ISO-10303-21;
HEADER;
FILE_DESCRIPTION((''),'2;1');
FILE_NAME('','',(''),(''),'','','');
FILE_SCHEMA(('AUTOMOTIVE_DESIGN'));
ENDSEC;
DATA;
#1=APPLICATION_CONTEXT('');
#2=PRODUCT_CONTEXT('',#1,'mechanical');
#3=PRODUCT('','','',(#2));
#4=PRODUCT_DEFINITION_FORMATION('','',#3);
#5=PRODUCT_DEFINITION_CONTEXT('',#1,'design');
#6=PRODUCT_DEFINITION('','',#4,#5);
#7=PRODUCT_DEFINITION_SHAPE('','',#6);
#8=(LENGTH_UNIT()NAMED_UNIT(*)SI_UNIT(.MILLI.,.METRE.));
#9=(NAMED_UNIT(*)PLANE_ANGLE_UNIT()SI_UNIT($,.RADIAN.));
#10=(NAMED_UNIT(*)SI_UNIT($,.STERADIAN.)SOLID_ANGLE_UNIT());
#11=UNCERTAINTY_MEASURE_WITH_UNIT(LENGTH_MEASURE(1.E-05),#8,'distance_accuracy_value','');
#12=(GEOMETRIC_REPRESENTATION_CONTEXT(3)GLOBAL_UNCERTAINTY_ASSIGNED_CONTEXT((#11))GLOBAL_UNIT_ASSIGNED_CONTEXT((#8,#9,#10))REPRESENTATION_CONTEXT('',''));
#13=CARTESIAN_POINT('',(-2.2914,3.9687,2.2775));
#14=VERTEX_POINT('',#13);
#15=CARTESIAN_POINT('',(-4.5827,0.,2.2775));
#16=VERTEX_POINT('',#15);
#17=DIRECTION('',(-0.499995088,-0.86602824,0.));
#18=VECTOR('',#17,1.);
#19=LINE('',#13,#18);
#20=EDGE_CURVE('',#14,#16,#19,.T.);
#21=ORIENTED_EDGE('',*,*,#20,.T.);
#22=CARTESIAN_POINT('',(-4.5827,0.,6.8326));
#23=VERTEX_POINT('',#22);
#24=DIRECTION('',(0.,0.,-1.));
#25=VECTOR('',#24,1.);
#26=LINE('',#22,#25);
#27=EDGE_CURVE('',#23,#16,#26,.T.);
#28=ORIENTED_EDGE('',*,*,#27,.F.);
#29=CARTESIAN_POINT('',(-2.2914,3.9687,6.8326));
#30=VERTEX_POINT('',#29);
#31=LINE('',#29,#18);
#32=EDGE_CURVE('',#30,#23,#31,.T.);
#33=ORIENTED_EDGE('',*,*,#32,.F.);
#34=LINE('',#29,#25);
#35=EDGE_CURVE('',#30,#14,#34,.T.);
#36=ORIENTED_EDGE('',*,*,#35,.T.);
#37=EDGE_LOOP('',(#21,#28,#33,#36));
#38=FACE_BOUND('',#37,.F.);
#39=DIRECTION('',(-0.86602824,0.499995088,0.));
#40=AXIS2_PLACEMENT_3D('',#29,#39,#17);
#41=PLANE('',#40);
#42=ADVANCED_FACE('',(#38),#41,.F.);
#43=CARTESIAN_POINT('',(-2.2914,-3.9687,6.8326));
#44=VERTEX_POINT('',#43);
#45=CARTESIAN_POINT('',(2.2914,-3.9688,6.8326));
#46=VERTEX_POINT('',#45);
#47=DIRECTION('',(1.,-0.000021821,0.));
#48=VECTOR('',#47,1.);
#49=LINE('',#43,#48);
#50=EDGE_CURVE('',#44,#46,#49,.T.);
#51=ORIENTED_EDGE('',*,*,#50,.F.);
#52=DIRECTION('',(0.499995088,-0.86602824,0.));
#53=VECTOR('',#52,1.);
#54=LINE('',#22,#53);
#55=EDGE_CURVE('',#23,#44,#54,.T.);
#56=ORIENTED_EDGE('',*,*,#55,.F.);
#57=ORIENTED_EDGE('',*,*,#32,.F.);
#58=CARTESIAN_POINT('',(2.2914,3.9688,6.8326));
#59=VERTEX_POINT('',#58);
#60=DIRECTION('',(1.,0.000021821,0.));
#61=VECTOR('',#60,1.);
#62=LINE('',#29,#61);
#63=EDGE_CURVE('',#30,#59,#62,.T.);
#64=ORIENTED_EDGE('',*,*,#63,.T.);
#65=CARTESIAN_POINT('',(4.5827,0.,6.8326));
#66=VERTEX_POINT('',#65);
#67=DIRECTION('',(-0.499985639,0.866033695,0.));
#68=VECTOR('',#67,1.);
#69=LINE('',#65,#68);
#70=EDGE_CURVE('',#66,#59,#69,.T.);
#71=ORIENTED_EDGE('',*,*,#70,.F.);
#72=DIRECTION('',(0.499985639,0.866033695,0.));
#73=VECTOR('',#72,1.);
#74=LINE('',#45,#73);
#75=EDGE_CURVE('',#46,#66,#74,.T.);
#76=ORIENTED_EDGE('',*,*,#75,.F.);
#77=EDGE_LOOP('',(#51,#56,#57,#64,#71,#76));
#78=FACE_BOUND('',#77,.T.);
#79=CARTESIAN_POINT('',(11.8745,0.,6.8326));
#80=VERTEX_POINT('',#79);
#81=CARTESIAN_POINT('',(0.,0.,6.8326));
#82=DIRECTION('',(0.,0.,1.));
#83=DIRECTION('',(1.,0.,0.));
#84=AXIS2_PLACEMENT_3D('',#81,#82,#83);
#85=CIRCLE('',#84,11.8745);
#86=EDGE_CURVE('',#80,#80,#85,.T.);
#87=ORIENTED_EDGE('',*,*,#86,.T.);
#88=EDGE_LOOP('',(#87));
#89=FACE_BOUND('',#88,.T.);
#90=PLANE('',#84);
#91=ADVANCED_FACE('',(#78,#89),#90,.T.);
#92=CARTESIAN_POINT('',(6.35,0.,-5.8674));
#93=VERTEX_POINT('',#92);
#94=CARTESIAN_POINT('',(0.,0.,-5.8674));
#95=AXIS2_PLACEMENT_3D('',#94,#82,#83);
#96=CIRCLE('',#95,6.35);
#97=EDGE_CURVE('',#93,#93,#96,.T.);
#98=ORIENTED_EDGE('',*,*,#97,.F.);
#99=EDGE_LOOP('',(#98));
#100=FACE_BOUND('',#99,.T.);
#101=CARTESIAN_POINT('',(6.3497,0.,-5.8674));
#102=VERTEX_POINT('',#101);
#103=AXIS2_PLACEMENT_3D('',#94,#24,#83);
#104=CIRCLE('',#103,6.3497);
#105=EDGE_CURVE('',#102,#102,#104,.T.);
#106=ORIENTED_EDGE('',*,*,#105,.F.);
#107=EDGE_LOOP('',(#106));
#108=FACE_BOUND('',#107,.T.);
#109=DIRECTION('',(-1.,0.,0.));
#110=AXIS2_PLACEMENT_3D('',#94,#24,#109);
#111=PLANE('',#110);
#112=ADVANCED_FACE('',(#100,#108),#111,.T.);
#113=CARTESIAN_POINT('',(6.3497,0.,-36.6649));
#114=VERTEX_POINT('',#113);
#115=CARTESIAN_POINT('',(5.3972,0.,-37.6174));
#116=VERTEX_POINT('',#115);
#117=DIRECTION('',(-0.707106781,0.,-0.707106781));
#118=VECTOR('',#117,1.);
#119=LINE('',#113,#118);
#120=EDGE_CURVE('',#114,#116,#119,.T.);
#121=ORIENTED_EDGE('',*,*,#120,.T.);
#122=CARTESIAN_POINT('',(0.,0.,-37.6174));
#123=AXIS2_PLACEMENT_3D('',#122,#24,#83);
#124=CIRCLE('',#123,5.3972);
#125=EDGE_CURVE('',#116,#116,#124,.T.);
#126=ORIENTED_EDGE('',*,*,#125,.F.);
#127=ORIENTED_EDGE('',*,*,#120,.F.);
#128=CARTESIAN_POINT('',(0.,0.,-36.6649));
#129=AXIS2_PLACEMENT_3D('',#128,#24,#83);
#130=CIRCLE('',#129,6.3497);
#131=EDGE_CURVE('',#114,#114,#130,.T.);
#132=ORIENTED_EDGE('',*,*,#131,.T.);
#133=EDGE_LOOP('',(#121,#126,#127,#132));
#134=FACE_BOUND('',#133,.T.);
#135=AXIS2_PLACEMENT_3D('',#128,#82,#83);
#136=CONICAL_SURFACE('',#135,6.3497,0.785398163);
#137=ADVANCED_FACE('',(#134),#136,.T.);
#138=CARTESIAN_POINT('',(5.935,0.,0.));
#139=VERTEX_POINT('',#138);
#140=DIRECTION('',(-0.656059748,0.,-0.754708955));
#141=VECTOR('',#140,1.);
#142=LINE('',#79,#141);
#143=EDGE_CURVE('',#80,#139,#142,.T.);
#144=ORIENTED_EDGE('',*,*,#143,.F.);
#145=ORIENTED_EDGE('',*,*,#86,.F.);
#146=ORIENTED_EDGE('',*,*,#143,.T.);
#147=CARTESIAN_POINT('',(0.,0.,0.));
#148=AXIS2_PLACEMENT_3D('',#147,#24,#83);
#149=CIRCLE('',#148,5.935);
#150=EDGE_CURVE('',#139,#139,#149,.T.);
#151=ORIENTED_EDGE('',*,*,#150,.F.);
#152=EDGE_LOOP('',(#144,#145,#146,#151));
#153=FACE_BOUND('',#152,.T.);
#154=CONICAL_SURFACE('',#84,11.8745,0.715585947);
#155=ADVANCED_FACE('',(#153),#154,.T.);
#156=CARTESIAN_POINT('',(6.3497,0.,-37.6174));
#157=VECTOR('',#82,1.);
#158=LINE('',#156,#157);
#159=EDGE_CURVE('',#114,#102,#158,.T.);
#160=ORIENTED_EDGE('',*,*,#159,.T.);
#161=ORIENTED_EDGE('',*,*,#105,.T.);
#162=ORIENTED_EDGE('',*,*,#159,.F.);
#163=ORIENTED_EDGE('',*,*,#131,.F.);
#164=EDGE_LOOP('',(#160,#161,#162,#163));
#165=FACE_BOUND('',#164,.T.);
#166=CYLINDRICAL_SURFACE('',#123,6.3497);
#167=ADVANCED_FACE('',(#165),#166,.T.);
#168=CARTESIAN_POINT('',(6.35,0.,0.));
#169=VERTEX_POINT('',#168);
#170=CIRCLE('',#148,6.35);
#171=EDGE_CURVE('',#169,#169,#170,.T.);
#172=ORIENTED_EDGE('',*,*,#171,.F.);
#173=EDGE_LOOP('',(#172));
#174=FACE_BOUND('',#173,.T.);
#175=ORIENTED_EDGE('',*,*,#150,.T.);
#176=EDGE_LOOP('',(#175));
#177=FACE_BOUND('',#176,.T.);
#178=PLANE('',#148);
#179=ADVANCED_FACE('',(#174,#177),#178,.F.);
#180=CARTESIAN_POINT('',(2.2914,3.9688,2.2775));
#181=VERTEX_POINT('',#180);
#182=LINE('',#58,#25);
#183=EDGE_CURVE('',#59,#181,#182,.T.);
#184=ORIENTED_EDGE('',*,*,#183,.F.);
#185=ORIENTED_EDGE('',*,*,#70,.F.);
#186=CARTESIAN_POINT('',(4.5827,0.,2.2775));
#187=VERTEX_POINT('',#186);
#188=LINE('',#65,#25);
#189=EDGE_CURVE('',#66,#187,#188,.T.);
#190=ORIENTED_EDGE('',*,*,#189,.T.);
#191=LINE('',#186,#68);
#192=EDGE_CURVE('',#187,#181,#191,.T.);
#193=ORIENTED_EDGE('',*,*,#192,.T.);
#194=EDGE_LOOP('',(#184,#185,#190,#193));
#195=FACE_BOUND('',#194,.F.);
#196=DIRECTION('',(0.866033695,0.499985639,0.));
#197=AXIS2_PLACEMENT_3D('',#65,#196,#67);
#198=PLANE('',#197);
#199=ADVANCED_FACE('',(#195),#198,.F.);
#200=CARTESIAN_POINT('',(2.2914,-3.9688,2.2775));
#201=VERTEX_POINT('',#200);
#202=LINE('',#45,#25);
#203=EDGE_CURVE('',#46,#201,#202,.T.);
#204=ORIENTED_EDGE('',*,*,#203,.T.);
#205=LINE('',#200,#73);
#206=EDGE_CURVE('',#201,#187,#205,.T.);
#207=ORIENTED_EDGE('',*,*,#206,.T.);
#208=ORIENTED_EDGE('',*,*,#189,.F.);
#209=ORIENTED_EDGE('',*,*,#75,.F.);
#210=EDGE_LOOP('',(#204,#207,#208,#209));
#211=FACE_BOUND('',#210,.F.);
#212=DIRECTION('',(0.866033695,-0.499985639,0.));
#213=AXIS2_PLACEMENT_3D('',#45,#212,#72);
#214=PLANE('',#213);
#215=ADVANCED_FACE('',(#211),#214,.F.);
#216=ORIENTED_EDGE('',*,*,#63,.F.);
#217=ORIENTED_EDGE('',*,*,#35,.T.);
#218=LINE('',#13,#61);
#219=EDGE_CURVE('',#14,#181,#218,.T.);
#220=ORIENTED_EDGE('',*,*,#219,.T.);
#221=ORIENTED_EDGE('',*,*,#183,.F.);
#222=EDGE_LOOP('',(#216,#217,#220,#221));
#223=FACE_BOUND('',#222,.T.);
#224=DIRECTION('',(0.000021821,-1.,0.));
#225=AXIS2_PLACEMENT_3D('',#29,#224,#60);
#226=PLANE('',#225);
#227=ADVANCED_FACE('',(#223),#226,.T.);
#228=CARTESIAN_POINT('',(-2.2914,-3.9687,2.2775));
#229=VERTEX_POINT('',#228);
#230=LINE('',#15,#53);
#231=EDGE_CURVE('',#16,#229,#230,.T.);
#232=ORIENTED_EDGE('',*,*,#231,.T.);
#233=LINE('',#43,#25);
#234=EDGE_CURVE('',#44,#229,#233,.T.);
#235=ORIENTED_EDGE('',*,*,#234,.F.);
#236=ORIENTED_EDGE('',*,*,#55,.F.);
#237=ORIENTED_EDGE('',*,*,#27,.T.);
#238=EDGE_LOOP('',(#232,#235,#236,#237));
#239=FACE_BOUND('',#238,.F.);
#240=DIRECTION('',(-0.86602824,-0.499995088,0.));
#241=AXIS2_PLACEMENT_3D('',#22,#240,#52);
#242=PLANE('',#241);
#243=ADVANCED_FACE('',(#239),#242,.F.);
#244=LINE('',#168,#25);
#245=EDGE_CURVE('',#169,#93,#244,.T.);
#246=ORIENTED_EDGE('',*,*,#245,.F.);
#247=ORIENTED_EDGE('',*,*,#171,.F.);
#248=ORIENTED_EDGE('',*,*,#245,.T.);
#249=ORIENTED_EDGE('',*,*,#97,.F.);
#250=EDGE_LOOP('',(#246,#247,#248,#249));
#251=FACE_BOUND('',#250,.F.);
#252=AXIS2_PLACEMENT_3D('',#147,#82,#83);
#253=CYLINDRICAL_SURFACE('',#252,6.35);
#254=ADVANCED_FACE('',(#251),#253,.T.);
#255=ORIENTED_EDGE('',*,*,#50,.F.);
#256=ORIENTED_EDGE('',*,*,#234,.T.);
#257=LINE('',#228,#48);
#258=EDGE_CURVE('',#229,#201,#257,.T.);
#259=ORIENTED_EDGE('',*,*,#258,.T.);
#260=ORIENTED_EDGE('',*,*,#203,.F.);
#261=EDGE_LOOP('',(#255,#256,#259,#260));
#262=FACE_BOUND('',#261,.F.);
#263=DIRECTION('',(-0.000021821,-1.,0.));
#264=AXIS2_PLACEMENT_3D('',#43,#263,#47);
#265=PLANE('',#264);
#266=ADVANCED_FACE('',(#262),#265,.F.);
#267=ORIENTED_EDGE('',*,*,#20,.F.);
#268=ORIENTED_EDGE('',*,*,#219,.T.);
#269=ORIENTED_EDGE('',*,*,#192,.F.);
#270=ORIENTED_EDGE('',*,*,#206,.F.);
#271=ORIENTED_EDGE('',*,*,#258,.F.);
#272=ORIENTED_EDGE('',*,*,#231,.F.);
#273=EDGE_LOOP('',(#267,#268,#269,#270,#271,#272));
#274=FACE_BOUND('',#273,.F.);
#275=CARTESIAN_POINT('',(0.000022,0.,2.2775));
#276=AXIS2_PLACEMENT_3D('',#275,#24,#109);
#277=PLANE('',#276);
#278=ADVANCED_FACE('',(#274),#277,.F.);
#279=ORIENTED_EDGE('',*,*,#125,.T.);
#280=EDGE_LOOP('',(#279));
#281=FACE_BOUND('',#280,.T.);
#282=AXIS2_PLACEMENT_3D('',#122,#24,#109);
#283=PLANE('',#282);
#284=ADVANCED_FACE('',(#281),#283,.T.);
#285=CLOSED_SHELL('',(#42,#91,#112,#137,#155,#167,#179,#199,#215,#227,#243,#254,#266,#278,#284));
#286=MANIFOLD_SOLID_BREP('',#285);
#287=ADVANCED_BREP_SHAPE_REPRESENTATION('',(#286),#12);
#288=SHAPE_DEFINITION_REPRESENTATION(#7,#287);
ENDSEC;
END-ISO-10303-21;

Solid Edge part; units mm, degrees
sketch "Sketch1" plane through (0, 0, 0) normal (0, 0, 1) x (1, 0, 0)
  circle A0 centre (0, 0) radius 11.8745
  dimension "D1" = 23.749
extrude "Protrusion1" add sketch "Sketch1" along normal blind 6.8326
sketch "Sketch2" plane through (0, 0, 0) normal (0, 0, -1) x (1, 0, 0)
  circle A0 centre (0, 0) radius 6.35
extrude "Protrusion2" add sketch "Sketch2" along normal blind 37.6174
sketch "Sketch3" plane through (0, 0, -37.6174) normal (0, 0, -1) x (1, 0, 0)
  circle A0 centre (0, 0) radius 6.3497
extrude "Cutout1" cut sketch "Sketch3" against normal blind 31.75 flip side to cut
chamfer "Chamfer_1" distance 0.9525 angle 45 1 edges at (-6.3497, 0, -37.6174)
sketch "Sketch4" plane through (0, 0, 6.8326) normal (0, 0, 1) x (1, 0, 0)
  line L0 (-2.2914, 3.9687) -> (2.2914, 3.9688)
  line L1 (4.5827, 0) -> (2.2914, 3.9688)
  line L2 (2.2914, -3.9688) -> (4.5827, 0)
  line L3 (-2.2914, -3.9687) -> (2.2914, -3.9688)
  line L4 (-4.5827, 0) -> (-2.2914, -3.9688)
  line L5 (-2.2914, 3.9688) -> (-4.5827, 0)
  dimension "D1" = 7.9375
extrude "Cutout2" cut sketch "Sketch4" against normal blind 4.5551
sketch "Sketch5" plane through (0, 0, 0) normal (0, -1, 0) x (1, 0, 0)
  line L0 (11.8745, 6.8326) -> (5.935, 0)
  line L1 (5.935, 0) -> (11.8745, 0)
  line L2 (11.8745, 0) -> (11.8745, 6.8326)
revolve "RevolvedCutout1" cut sketch "Sketch5" angle 360 about axis through (0, 0, 14.0017) along (0, 0, -1)
properties part number "24104259"
